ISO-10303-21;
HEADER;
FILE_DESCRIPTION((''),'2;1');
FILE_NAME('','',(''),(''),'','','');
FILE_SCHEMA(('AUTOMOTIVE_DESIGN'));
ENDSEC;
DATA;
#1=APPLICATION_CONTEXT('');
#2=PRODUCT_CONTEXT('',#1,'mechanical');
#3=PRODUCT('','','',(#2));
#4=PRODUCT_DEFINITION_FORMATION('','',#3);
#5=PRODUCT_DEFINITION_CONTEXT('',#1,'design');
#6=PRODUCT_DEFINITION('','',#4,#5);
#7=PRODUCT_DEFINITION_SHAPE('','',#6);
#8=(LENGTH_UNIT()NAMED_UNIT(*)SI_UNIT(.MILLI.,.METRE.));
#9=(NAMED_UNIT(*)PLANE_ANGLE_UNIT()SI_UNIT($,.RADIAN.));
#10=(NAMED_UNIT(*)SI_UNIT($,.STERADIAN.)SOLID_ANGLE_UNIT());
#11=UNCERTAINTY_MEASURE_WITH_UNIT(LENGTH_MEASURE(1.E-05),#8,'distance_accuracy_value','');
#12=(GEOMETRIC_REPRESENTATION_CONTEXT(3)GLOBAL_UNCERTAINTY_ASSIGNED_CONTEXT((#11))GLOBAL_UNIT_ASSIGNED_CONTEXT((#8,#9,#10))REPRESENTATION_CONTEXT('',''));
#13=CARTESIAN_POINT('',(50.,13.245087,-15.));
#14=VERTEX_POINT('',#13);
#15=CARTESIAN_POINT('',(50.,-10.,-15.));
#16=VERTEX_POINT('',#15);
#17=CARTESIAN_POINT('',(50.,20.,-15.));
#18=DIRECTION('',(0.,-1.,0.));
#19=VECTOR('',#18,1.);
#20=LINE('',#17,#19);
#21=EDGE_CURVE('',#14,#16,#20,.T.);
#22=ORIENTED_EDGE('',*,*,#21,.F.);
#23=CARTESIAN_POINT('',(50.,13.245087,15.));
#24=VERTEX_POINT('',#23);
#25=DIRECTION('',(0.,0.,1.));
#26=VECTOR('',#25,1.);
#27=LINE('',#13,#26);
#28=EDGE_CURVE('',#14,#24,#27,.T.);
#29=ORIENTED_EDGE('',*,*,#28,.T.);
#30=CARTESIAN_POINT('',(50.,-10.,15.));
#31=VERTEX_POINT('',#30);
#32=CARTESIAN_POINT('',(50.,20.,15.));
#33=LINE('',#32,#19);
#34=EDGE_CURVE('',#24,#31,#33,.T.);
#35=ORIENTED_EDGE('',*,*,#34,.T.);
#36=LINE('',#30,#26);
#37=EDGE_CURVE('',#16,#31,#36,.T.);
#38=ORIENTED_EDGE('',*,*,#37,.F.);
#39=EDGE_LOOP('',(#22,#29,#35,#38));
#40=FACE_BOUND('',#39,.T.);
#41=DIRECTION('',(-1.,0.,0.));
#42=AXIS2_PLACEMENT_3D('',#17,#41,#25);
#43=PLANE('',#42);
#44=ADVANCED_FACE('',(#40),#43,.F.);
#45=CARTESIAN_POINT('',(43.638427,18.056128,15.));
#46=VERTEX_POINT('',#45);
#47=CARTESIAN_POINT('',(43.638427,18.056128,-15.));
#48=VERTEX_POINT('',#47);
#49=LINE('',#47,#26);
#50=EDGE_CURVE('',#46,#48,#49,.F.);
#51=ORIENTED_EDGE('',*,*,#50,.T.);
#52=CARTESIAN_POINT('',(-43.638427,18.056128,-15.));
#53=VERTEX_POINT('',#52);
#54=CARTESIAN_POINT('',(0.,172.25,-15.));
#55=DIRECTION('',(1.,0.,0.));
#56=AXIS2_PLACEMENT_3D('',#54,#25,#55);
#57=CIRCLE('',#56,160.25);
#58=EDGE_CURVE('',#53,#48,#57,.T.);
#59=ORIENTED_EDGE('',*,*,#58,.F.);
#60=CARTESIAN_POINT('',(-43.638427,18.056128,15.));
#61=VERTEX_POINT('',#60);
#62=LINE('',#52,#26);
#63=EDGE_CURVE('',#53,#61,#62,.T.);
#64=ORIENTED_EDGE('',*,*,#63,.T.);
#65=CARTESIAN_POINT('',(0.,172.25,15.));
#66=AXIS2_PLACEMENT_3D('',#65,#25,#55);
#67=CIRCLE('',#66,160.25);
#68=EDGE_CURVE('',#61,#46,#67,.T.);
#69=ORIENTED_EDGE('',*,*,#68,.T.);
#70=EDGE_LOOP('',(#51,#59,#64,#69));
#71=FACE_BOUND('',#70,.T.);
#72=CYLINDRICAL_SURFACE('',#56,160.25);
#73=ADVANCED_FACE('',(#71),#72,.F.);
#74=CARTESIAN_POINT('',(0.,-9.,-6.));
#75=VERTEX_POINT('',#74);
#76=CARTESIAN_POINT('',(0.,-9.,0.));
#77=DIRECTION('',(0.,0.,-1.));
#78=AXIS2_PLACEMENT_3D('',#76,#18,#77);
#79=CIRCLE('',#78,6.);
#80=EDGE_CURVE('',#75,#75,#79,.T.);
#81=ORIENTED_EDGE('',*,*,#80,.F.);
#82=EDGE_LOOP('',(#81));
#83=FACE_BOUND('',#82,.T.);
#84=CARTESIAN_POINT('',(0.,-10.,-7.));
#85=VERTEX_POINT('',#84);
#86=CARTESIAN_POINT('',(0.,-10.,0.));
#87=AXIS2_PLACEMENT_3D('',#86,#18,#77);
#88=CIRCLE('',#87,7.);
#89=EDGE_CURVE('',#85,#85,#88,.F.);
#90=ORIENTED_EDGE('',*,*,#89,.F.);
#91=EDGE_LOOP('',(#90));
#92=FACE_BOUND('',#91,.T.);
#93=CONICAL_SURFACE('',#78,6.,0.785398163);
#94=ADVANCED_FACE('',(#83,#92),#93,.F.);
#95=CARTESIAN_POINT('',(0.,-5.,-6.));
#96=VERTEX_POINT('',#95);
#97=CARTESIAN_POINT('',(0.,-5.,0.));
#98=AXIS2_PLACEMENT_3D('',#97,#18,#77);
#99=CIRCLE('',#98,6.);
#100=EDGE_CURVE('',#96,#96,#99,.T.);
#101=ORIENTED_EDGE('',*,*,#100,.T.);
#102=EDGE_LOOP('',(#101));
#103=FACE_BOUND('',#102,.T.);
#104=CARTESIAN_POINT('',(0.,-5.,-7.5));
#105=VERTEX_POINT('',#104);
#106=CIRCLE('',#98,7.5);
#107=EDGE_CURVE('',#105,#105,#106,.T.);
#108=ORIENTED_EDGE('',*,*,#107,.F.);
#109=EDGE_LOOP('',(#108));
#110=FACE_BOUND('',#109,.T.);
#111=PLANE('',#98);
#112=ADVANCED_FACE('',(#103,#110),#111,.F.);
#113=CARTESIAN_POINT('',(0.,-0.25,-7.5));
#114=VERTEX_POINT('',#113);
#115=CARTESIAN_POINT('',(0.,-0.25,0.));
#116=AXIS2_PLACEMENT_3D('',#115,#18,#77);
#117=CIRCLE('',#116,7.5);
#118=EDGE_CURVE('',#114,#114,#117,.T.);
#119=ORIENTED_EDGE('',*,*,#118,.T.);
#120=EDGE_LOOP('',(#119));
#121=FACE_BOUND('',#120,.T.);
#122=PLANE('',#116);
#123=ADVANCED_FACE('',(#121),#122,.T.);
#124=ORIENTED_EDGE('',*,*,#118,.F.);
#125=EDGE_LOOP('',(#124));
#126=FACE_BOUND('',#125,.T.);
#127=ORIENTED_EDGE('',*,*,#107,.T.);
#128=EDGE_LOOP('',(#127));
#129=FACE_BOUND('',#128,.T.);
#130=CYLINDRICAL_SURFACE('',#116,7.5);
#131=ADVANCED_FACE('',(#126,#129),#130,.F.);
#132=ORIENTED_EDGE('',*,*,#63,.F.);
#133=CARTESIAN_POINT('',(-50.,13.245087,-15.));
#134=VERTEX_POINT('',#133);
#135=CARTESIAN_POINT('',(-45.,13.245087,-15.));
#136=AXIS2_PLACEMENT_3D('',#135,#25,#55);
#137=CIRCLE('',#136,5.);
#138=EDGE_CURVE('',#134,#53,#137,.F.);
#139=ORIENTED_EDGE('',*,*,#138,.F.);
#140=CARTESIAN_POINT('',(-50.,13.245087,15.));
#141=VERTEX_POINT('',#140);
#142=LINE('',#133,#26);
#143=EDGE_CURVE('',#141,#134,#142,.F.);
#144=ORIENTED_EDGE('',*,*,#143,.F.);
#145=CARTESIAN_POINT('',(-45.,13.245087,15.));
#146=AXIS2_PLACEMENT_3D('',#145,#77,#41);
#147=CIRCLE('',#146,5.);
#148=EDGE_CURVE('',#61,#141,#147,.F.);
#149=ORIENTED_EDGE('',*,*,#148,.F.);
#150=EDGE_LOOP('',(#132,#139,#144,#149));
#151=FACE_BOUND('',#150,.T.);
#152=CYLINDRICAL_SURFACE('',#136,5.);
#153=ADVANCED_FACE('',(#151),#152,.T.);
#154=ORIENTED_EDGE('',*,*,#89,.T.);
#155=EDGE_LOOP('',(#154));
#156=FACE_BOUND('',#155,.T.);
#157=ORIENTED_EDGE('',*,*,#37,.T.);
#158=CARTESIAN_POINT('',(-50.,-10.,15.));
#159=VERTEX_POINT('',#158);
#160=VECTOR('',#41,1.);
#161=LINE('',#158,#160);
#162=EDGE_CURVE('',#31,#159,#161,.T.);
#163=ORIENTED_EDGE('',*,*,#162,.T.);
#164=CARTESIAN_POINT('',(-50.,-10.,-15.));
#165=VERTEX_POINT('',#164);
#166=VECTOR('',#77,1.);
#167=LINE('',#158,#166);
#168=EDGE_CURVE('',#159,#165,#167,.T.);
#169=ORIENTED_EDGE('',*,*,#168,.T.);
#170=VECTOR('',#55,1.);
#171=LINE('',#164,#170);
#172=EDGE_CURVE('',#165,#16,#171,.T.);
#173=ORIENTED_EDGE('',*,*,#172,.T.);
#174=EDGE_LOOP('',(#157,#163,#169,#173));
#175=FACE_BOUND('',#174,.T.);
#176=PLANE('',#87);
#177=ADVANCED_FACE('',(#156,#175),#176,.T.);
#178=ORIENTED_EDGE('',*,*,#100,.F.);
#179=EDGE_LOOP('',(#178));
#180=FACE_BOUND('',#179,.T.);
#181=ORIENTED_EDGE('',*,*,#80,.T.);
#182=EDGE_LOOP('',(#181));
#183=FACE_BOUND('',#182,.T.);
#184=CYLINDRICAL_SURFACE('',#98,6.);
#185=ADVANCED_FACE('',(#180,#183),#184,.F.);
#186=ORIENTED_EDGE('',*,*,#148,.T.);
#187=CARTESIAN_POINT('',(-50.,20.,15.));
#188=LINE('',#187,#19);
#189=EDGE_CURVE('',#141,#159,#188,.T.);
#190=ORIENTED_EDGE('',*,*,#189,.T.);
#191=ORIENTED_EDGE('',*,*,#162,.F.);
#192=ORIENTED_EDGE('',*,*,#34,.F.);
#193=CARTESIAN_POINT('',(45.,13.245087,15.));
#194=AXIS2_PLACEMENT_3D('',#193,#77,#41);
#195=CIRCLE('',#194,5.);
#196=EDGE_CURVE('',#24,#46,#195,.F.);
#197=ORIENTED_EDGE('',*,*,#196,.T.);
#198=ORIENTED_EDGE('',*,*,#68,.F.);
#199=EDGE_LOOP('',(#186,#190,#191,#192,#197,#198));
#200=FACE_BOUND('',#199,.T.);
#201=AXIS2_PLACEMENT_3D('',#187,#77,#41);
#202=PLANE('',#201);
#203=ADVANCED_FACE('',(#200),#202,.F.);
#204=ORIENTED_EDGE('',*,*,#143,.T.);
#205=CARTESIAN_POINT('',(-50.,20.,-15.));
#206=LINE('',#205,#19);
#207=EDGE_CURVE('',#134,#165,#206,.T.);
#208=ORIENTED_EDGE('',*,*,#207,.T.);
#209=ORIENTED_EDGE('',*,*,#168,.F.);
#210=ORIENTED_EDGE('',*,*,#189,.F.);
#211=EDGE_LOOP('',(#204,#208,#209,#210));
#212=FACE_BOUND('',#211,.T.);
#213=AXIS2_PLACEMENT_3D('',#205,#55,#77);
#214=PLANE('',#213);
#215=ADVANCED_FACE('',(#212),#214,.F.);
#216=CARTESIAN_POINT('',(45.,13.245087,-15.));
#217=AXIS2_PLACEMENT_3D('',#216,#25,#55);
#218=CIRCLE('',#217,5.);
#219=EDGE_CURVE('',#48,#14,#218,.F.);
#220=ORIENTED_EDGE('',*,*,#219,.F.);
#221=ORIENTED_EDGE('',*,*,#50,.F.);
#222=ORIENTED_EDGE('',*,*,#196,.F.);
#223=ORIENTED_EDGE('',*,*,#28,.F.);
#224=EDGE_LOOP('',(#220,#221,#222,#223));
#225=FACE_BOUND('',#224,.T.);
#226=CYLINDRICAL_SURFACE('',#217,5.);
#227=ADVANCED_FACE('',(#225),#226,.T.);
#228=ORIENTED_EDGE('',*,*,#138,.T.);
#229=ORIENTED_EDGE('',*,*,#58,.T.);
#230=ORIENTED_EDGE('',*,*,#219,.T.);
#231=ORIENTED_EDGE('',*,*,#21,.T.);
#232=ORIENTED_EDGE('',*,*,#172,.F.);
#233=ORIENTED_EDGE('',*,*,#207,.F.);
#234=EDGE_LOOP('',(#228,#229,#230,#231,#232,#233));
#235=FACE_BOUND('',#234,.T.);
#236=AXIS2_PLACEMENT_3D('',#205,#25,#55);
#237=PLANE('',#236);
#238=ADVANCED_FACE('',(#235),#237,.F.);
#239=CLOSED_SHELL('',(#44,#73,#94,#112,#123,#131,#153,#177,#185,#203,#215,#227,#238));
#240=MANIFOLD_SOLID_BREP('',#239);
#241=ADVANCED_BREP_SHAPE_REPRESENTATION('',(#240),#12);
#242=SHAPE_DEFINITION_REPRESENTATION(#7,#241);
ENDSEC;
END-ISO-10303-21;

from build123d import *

# Parameters (mm, degrees)
SKETCH1_W           = 100
SKETCH1_H           = 30
BOSS_EXTRUDE1_DEPTH = 20
CUT_EXTRUDE1_DEPTH  = 62.64414003
FILLET1_R           = 5
SKETCH3_W           = 100
SKETCH3_H           = 30
BOSS_EXTRUDE2_DEPTH = 10
SKETCH4_R           = 6
CUT_EXTRUDE2_DEPTH  = 5
SKETCH5_R           = 7.5
CUT_EXTRUDE3_DEPTH  = 4.75
CHAMFER1_SIZE       = 1


with BuildPart() as part:
    # Sketch1 → Boss-Extrude1 (new body)
    with BuildSketch(Plane(origin=(0, 0, 0), x_dir=(1, 0, 0), z_dir=(0, 1, 0))):
        Rectangle(SKETCH1_W, SKETCH1_H)
    extrude(amount=BOSS_EXTRUDE1_DEPTH)

    # Sketch2 → Cut-Extrude1 (cut, through all)
    with BuildSketch(Plane.XY.offset(15)):
        with BuildLine():
            Line((-50, 20), (50, 20))
            ThreePointArc((50, 20), (0, 12), (-50, 20))
        make_face()
    extrude(amount=-CUT_EXTRUDE1_DEPTH, mode=Mode.SUBTRACT)

    # Fillet1
    fillet1_edges = [part.edges().sort_by_distance(p)[0] for p in [
        (-50, 20, 0),
        (50, 20, 0),
    ]]
    fillet(fillet1_edges, radius=FILLET1_R)

    # Sketch3 → Boss-Extrude2 (add)
    with BuildSketch(Plane.XZ):
        Rectangle(SKETCH3_W, SKETCH3_H)
    extrude(amount=BOSS_EXTRUDE2_DEPTH)

    # Sketch4 → Cut-Extrude2 (cut)
    with BuildSketch(Plane.XZ.offset(10)):
        with Locations(Location((0, 0, 0), (0, 0, 270))):
            Circle(SKETCH4_R)
    extrude(amount=-CUT_EXTRUDE2_DEPTH, mode=Mode.SUBTRACT)

    # Sketch5 → Cut-Extrude3 (cut)
    with BuildSketch(Plane.XZ.offset(5)):
        with Locations(Location((0, 0, 0), (0, 0, 270))):
            Circle(SKETCH5_R)
    extrude(amount=-CUT_EXTRUDE3_DEPTH, mode=Mode.SUBTRACT)

    # Chamfer1
    chamfer1_edges = [part.edges().sort_by_distance(p)[0] for p in [
        (0, -10, 6),
    ]]
    chamfer(chamfer1_edges, length=CHAMFER1_SIZE)


solid = part.part
